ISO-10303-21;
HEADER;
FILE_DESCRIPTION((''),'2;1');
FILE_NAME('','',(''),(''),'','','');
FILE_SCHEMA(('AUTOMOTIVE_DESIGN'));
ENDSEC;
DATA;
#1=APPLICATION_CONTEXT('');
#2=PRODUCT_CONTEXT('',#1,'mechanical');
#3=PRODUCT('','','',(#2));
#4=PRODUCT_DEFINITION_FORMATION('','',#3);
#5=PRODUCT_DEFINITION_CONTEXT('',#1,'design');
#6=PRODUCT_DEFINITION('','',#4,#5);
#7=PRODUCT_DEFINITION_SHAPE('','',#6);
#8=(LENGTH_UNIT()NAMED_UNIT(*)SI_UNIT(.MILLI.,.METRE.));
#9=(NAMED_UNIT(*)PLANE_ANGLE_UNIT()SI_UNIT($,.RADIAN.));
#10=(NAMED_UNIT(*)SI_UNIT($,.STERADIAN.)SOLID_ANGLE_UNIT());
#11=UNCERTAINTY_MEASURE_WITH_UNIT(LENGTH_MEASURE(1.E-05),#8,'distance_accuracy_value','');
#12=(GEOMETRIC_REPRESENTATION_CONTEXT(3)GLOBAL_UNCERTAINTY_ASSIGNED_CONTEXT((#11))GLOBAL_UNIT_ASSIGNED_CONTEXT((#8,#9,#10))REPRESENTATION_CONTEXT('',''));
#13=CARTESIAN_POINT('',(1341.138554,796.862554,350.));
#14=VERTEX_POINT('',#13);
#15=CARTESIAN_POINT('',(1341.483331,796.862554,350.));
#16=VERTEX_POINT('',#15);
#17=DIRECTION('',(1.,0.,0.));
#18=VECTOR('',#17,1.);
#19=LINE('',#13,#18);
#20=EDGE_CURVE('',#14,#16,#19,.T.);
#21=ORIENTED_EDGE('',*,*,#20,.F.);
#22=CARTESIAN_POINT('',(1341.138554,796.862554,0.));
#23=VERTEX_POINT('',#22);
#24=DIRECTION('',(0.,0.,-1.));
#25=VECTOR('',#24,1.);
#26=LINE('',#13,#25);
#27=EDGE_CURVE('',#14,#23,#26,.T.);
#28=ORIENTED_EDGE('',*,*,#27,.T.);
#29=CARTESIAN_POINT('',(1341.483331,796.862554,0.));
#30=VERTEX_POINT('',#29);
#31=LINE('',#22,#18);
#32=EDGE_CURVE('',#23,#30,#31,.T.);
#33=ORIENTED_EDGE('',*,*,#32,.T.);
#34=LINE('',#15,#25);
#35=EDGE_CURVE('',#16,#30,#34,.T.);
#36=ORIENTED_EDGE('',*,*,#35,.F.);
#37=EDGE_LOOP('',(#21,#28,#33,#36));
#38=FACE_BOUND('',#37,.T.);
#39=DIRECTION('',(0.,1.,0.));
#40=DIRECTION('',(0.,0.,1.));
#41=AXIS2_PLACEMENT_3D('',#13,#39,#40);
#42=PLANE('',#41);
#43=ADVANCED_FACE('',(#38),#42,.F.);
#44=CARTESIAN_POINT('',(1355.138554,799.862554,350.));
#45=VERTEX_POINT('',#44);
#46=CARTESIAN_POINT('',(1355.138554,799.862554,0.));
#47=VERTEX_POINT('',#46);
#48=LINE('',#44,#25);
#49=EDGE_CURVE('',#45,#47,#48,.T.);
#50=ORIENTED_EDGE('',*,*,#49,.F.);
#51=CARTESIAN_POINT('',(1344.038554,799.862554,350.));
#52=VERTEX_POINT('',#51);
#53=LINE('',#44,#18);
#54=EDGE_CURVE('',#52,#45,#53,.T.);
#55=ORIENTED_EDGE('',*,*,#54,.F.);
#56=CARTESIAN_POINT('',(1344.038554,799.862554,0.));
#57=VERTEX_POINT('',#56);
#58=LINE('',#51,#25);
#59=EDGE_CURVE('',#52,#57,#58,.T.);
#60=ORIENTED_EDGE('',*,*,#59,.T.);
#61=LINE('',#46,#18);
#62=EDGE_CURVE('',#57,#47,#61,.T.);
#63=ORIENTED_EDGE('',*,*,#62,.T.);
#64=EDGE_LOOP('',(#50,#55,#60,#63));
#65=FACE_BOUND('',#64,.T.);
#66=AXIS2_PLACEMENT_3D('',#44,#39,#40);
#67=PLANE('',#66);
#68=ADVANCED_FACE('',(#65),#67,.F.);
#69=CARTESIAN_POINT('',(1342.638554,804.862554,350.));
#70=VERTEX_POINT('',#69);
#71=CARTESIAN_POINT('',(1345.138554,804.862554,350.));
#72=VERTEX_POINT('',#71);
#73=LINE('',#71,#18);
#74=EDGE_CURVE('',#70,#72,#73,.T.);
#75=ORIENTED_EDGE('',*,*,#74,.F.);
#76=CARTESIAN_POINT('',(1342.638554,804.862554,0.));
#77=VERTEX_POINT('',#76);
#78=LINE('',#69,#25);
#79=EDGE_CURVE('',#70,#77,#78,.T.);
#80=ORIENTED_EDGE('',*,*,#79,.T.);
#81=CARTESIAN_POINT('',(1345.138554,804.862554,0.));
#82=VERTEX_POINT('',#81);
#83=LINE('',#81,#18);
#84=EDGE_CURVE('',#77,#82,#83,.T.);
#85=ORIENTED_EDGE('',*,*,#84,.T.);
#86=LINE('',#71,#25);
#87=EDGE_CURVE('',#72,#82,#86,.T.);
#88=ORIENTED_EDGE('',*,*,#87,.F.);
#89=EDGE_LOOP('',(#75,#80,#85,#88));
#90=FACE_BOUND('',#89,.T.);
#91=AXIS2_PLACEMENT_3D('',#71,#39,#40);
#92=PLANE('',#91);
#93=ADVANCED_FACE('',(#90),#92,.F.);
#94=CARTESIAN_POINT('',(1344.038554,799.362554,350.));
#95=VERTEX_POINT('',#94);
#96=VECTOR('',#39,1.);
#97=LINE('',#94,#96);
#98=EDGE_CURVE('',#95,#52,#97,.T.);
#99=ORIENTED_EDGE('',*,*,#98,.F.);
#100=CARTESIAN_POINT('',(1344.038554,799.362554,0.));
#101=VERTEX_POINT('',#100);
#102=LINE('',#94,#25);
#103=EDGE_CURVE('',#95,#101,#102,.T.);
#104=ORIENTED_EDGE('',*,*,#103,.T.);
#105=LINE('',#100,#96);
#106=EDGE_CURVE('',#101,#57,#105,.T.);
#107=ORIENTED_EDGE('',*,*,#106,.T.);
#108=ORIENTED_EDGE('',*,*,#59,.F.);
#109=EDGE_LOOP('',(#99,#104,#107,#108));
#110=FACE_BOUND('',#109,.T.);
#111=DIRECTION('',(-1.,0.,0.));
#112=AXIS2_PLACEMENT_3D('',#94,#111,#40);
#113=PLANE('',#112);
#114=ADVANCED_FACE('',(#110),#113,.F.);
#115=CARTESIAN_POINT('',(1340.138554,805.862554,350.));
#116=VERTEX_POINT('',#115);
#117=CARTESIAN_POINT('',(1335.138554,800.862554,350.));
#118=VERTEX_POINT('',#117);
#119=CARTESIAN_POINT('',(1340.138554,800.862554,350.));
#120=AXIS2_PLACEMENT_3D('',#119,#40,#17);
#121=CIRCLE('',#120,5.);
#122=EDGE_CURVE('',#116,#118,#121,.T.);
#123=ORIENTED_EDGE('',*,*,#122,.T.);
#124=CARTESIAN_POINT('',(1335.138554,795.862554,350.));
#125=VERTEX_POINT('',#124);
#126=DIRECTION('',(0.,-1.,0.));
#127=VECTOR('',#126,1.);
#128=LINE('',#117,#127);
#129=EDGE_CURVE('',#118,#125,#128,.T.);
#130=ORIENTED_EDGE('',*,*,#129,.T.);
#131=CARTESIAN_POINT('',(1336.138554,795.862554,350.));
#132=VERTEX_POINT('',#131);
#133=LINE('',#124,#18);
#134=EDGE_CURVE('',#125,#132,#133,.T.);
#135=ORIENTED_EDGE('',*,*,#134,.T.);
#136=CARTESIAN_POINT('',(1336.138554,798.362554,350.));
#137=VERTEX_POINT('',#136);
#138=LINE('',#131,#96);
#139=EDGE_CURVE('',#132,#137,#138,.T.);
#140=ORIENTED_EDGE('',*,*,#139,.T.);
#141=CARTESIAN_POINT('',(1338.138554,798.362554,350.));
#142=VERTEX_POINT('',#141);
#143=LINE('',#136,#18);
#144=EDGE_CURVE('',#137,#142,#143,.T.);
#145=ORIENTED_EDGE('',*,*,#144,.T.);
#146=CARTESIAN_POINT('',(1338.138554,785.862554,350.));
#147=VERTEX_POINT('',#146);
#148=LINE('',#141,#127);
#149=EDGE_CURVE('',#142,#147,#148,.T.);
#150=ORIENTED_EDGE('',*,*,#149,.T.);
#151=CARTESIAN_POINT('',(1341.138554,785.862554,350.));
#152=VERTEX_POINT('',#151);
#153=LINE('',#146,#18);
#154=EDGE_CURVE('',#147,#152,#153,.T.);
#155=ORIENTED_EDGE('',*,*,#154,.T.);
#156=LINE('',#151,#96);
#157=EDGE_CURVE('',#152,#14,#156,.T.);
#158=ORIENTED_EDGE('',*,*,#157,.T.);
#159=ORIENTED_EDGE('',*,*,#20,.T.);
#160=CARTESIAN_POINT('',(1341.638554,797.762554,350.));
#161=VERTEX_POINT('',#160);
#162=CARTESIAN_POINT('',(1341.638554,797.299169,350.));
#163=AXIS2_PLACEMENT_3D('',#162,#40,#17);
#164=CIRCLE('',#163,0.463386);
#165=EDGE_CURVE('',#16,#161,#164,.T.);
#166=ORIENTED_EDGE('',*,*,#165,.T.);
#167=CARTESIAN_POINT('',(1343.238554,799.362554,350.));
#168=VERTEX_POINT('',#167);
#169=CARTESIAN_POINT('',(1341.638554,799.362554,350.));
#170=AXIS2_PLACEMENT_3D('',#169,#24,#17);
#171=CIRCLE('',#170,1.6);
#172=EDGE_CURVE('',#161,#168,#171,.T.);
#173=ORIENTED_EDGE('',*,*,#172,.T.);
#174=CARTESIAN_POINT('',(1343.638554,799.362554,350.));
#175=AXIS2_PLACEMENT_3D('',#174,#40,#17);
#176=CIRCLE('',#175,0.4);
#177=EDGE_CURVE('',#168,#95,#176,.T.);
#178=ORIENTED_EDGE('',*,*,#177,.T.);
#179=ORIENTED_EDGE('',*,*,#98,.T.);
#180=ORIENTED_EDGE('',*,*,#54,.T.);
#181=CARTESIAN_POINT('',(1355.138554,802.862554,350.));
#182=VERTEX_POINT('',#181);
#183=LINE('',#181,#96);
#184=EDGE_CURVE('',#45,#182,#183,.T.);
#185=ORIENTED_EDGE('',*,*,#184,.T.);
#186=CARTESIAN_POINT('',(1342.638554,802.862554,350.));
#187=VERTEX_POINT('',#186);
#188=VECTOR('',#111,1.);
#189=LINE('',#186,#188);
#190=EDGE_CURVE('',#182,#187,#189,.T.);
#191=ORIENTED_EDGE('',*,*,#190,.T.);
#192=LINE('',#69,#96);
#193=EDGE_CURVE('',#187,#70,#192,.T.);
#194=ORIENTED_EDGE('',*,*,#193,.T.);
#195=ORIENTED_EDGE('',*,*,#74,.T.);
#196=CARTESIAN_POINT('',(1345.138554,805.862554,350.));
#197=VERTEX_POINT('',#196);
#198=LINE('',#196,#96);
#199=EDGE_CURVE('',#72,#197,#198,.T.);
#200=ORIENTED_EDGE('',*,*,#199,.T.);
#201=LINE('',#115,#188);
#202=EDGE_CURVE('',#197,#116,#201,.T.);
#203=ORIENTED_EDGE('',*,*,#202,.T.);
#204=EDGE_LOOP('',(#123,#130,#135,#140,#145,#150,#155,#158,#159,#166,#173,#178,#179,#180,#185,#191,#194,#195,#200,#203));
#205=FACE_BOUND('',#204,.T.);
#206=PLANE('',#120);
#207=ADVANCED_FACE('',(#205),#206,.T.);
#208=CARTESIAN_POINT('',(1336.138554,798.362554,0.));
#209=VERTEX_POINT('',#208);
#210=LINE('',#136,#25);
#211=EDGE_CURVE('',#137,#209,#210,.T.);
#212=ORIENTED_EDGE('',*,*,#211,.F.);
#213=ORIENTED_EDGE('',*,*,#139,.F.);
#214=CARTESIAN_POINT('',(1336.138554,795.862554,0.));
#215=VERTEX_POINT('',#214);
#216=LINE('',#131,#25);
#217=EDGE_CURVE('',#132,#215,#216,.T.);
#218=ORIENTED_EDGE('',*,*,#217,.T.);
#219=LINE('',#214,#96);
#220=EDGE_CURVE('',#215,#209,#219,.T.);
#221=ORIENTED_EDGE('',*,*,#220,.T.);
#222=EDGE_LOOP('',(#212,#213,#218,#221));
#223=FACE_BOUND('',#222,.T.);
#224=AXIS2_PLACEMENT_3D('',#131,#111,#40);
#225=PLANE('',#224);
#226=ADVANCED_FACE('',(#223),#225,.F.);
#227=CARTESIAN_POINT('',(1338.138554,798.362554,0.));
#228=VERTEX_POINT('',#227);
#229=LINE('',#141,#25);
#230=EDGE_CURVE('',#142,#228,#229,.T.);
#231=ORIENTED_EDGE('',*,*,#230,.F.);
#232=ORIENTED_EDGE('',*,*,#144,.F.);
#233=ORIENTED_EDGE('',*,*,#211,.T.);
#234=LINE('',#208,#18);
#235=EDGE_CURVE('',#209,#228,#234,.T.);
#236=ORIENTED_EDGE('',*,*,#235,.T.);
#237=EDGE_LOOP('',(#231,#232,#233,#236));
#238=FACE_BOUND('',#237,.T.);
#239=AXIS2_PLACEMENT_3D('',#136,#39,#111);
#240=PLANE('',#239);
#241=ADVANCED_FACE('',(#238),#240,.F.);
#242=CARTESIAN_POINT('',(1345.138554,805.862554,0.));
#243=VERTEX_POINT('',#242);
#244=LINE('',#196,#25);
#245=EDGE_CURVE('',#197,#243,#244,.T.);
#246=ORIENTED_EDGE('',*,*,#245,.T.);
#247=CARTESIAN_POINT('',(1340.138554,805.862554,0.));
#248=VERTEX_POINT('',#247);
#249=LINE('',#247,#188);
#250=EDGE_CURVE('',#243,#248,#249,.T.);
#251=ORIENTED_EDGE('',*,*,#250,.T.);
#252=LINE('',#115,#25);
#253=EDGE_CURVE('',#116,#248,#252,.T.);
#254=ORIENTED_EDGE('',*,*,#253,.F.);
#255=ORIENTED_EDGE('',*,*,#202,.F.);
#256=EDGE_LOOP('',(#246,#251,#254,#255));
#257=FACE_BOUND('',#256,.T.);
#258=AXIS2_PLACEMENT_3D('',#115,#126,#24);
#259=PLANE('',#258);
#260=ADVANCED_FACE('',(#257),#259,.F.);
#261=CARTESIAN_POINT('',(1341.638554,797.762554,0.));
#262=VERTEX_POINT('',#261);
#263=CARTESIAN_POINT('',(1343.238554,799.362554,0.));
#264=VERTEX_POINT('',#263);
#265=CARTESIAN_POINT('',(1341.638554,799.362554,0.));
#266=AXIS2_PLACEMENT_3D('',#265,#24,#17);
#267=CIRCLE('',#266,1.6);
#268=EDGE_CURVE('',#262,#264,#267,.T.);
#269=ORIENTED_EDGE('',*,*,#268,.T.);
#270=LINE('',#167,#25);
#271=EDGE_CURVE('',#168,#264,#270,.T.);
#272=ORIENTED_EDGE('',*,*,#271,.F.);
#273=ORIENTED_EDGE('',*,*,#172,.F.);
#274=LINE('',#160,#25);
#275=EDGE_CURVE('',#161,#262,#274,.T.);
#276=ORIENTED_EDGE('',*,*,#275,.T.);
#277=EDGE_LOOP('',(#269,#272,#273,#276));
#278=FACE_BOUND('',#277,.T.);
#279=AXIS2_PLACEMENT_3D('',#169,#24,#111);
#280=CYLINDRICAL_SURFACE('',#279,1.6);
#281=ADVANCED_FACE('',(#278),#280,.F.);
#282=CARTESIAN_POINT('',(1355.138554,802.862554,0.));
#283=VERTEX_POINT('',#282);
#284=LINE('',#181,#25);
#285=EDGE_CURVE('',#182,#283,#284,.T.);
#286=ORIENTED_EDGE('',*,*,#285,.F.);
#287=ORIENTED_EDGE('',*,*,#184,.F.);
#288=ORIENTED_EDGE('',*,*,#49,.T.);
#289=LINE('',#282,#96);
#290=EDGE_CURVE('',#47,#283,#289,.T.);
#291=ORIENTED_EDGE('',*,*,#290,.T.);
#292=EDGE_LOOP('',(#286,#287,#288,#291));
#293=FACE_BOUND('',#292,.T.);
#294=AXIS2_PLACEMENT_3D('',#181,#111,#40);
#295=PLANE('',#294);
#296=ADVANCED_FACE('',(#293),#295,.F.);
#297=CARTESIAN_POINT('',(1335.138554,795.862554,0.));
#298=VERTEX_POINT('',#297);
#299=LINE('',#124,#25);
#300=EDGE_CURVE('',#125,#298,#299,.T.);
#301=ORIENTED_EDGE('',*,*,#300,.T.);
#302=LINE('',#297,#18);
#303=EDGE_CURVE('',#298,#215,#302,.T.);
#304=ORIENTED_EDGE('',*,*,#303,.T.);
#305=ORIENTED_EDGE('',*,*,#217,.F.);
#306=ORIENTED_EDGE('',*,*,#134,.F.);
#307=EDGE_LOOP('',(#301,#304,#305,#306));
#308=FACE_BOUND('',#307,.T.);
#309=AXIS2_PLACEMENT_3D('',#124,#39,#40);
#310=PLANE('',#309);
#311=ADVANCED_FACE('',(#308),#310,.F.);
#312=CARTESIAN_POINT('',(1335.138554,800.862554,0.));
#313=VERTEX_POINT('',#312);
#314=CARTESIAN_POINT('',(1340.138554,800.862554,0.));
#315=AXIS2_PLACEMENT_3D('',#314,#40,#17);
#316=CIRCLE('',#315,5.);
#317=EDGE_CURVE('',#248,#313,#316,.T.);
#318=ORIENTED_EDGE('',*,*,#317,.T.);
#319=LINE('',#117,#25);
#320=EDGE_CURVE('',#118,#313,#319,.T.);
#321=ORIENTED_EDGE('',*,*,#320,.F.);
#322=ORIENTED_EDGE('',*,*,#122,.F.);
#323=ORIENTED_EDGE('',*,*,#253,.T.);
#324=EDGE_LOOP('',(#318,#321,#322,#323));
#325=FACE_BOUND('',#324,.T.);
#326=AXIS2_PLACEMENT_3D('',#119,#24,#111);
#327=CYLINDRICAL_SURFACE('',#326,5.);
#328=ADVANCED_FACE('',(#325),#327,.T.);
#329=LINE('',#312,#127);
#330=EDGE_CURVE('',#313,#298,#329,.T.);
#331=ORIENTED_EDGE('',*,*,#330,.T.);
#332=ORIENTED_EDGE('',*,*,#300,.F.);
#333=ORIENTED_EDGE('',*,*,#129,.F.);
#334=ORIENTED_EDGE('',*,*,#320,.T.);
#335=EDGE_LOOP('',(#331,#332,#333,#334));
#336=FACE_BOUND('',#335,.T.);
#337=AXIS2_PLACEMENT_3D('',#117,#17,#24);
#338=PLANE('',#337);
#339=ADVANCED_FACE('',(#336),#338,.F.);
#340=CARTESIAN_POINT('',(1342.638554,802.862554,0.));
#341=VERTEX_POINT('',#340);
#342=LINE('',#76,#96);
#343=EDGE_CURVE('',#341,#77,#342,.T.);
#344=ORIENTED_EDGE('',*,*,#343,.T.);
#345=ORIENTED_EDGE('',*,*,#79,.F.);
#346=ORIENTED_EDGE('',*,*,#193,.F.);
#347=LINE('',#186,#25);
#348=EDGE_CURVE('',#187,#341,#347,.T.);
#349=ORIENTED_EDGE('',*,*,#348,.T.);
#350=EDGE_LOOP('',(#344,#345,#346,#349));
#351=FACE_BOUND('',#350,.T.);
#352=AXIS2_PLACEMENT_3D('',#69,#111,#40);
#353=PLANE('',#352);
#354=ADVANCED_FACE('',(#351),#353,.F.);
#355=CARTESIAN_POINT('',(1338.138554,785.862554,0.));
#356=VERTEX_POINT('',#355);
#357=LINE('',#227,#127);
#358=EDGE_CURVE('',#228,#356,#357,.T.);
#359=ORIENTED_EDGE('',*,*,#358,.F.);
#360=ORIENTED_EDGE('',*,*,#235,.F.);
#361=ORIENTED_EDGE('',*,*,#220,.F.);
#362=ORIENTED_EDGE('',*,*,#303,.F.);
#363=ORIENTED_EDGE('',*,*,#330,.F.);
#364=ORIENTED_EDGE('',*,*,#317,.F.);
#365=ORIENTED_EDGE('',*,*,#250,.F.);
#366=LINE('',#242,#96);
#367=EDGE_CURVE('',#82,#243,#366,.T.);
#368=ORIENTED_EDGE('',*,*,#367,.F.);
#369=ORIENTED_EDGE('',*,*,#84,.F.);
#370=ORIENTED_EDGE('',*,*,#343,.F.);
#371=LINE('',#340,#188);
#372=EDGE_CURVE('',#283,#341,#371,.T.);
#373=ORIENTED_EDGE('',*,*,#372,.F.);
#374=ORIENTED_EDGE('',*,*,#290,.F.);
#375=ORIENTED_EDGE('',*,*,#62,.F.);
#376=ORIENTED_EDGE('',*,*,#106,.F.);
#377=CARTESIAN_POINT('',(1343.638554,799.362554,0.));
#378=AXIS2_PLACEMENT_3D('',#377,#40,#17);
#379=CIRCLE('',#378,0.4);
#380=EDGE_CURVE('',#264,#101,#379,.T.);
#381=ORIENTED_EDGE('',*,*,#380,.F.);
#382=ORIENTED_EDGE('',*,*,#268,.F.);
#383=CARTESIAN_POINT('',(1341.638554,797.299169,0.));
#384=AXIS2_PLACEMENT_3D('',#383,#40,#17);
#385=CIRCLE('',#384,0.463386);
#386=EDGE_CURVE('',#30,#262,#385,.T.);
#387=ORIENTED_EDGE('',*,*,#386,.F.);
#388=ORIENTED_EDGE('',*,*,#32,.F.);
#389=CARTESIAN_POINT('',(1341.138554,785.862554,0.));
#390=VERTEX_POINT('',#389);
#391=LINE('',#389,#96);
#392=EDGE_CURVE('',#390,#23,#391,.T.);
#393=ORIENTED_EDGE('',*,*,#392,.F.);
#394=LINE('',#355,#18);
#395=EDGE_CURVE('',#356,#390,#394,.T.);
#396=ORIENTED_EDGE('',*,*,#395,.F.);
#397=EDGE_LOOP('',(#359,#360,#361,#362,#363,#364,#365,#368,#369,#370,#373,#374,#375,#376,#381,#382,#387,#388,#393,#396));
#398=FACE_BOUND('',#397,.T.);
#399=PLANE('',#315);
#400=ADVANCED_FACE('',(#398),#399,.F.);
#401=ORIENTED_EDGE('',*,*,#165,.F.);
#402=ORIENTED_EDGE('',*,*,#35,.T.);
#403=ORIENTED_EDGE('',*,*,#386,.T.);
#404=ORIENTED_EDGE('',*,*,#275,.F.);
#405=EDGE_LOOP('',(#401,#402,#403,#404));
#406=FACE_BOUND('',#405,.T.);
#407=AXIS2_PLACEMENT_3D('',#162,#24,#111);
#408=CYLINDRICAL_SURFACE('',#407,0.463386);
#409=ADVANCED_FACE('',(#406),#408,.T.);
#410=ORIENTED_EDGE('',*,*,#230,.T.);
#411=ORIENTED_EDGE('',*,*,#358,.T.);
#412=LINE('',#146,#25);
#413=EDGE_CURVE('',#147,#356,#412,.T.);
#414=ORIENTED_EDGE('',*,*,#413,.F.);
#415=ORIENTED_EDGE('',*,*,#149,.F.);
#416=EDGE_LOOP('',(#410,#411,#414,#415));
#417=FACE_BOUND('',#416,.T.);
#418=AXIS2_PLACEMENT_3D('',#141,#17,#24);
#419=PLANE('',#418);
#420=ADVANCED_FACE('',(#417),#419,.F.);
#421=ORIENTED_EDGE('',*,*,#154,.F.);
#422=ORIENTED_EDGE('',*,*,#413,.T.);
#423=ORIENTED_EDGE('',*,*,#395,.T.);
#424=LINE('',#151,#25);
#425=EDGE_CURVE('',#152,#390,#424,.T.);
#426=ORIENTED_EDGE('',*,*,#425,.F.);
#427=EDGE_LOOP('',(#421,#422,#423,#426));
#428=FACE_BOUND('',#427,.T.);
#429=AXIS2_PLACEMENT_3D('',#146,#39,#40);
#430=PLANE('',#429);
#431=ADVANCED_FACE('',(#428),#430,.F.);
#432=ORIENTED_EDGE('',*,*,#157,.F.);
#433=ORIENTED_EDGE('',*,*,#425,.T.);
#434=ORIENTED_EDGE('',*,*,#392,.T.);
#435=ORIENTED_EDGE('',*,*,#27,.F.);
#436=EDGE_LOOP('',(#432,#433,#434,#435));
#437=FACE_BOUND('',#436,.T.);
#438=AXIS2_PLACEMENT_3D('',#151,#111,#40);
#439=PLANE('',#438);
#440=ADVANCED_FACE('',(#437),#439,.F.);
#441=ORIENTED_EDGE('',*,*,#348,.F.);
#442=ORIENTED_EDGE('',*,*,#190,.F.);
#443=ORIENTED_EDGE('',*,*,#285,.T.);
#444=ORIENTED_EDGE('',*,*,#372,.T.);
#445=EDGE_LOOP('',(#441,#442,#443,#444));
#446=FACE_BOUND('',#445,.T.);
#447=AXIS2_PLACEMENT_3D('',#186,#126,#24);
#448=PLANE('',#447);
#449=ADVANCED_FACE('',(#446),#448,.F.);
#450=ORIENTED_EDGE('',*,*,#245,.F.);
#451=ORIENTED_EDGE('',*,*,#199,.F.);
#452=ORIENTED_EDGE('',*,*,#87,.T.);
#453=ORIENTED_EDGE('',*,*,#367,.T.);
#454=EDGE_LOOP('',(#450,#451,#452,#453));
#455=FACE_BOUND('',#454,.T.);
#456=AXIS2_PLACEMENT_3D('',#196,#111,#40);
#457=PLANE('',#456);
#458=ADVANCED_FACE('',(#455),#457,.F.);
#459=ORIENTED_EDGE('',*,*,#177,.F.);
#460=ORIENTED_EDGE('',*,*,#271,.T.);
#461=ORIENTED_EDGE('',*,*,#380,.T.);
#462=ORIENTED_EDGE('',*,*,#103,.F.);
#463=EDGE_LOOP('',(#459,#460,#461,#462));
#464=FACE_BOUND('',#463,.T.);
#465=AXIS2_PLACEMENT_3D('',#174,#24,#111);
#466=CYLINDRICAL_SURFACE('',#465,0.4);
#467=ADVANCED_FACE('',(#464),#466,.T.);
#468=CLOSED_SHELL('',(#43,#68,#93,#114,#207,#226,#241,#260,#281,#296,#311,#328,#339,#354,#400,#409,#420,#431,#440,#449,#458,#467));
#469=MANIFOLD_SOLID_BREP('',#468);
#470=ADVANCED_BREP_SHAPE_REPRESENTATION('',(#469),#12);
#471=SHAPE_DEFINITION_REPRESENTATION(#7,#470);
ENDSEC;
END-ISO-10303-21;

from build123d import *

# Parameters (mm, degrees)
EXTRUDE_1_DEPTH = 350


with BuildPart() as part:
    # Model → 凸台-拉伸1 (new body)
    with BuildSketch(Plane.XY):
        with BuildLine():
            Line((1340.138554246, 805.862554257), (1345.138554246, 805.862554257))
            Line((1345.138554246, 805.862554257), (1345.138554246, 804.862554257))
            Line((1345.138554246, 804.862554257), (1342.638554246, 804.862554257))
            Line((1342.638554246, 804.862554257), (1342.638554246, 802.862554257))
            Line((1342.638554246, 802.862554257), (1355.138554246, 802.862554257))
            Line((1355.138554246, 802.862554257), (1355.138554246, 799.862554257))
            Line((1355.138554246, 799.862554257), (1344.038554246, 799.862554257))
            Line((1344.038554246, 799.862554257), (1344.038554246, 799.362554257))
            ThreePointArc((1344.038554246, 799.362554257), (1343.638554246, 798.962554257), (1343.238554246, 799.362554257))
            ThreePointArc((1343.238554246, 799.362554257), (1340.507183396, 800.493925107), (1341.638554246, 797.762554257))
            ThreePointArc((1341.638554246, 797.762554257), (1342.09519806, 797.220410998), (1341.483330886, 796.862554257))
            Line((1341.483330886, 796.862554257), (1341.138554246, 796.862554257))
            Line((1341.138554246, 796.862554257), (1341.138554246, 785.862554257))
            Line((1341.138554246, 785.862554257), (1338.138554246, 785.862554257))
            Line((1338.138554246, 785.862554257), (1338.138554246, 798.362554257))
            Line((1338.138554246, 798.362554257), (1336.138554246, 798.362554257))
            Line((1336.138554246, 798.362554257), (1336.138554246, 795.862554257))
            Line((1336.138554246, 795.862554257), (1335.138554246, 795.862554257))
            Line((1335.138554246, 795.862554257), (1335.138554246, 800.862554257))
            ThreePointArc((1335.138554246, 800.862554257), (1336.60302034, 804.398088163), (1340.138554246, 805.862554257))
        make_face()
    extrude(amount=EXTRUDE_1_DEPTH)


solid = part.part
